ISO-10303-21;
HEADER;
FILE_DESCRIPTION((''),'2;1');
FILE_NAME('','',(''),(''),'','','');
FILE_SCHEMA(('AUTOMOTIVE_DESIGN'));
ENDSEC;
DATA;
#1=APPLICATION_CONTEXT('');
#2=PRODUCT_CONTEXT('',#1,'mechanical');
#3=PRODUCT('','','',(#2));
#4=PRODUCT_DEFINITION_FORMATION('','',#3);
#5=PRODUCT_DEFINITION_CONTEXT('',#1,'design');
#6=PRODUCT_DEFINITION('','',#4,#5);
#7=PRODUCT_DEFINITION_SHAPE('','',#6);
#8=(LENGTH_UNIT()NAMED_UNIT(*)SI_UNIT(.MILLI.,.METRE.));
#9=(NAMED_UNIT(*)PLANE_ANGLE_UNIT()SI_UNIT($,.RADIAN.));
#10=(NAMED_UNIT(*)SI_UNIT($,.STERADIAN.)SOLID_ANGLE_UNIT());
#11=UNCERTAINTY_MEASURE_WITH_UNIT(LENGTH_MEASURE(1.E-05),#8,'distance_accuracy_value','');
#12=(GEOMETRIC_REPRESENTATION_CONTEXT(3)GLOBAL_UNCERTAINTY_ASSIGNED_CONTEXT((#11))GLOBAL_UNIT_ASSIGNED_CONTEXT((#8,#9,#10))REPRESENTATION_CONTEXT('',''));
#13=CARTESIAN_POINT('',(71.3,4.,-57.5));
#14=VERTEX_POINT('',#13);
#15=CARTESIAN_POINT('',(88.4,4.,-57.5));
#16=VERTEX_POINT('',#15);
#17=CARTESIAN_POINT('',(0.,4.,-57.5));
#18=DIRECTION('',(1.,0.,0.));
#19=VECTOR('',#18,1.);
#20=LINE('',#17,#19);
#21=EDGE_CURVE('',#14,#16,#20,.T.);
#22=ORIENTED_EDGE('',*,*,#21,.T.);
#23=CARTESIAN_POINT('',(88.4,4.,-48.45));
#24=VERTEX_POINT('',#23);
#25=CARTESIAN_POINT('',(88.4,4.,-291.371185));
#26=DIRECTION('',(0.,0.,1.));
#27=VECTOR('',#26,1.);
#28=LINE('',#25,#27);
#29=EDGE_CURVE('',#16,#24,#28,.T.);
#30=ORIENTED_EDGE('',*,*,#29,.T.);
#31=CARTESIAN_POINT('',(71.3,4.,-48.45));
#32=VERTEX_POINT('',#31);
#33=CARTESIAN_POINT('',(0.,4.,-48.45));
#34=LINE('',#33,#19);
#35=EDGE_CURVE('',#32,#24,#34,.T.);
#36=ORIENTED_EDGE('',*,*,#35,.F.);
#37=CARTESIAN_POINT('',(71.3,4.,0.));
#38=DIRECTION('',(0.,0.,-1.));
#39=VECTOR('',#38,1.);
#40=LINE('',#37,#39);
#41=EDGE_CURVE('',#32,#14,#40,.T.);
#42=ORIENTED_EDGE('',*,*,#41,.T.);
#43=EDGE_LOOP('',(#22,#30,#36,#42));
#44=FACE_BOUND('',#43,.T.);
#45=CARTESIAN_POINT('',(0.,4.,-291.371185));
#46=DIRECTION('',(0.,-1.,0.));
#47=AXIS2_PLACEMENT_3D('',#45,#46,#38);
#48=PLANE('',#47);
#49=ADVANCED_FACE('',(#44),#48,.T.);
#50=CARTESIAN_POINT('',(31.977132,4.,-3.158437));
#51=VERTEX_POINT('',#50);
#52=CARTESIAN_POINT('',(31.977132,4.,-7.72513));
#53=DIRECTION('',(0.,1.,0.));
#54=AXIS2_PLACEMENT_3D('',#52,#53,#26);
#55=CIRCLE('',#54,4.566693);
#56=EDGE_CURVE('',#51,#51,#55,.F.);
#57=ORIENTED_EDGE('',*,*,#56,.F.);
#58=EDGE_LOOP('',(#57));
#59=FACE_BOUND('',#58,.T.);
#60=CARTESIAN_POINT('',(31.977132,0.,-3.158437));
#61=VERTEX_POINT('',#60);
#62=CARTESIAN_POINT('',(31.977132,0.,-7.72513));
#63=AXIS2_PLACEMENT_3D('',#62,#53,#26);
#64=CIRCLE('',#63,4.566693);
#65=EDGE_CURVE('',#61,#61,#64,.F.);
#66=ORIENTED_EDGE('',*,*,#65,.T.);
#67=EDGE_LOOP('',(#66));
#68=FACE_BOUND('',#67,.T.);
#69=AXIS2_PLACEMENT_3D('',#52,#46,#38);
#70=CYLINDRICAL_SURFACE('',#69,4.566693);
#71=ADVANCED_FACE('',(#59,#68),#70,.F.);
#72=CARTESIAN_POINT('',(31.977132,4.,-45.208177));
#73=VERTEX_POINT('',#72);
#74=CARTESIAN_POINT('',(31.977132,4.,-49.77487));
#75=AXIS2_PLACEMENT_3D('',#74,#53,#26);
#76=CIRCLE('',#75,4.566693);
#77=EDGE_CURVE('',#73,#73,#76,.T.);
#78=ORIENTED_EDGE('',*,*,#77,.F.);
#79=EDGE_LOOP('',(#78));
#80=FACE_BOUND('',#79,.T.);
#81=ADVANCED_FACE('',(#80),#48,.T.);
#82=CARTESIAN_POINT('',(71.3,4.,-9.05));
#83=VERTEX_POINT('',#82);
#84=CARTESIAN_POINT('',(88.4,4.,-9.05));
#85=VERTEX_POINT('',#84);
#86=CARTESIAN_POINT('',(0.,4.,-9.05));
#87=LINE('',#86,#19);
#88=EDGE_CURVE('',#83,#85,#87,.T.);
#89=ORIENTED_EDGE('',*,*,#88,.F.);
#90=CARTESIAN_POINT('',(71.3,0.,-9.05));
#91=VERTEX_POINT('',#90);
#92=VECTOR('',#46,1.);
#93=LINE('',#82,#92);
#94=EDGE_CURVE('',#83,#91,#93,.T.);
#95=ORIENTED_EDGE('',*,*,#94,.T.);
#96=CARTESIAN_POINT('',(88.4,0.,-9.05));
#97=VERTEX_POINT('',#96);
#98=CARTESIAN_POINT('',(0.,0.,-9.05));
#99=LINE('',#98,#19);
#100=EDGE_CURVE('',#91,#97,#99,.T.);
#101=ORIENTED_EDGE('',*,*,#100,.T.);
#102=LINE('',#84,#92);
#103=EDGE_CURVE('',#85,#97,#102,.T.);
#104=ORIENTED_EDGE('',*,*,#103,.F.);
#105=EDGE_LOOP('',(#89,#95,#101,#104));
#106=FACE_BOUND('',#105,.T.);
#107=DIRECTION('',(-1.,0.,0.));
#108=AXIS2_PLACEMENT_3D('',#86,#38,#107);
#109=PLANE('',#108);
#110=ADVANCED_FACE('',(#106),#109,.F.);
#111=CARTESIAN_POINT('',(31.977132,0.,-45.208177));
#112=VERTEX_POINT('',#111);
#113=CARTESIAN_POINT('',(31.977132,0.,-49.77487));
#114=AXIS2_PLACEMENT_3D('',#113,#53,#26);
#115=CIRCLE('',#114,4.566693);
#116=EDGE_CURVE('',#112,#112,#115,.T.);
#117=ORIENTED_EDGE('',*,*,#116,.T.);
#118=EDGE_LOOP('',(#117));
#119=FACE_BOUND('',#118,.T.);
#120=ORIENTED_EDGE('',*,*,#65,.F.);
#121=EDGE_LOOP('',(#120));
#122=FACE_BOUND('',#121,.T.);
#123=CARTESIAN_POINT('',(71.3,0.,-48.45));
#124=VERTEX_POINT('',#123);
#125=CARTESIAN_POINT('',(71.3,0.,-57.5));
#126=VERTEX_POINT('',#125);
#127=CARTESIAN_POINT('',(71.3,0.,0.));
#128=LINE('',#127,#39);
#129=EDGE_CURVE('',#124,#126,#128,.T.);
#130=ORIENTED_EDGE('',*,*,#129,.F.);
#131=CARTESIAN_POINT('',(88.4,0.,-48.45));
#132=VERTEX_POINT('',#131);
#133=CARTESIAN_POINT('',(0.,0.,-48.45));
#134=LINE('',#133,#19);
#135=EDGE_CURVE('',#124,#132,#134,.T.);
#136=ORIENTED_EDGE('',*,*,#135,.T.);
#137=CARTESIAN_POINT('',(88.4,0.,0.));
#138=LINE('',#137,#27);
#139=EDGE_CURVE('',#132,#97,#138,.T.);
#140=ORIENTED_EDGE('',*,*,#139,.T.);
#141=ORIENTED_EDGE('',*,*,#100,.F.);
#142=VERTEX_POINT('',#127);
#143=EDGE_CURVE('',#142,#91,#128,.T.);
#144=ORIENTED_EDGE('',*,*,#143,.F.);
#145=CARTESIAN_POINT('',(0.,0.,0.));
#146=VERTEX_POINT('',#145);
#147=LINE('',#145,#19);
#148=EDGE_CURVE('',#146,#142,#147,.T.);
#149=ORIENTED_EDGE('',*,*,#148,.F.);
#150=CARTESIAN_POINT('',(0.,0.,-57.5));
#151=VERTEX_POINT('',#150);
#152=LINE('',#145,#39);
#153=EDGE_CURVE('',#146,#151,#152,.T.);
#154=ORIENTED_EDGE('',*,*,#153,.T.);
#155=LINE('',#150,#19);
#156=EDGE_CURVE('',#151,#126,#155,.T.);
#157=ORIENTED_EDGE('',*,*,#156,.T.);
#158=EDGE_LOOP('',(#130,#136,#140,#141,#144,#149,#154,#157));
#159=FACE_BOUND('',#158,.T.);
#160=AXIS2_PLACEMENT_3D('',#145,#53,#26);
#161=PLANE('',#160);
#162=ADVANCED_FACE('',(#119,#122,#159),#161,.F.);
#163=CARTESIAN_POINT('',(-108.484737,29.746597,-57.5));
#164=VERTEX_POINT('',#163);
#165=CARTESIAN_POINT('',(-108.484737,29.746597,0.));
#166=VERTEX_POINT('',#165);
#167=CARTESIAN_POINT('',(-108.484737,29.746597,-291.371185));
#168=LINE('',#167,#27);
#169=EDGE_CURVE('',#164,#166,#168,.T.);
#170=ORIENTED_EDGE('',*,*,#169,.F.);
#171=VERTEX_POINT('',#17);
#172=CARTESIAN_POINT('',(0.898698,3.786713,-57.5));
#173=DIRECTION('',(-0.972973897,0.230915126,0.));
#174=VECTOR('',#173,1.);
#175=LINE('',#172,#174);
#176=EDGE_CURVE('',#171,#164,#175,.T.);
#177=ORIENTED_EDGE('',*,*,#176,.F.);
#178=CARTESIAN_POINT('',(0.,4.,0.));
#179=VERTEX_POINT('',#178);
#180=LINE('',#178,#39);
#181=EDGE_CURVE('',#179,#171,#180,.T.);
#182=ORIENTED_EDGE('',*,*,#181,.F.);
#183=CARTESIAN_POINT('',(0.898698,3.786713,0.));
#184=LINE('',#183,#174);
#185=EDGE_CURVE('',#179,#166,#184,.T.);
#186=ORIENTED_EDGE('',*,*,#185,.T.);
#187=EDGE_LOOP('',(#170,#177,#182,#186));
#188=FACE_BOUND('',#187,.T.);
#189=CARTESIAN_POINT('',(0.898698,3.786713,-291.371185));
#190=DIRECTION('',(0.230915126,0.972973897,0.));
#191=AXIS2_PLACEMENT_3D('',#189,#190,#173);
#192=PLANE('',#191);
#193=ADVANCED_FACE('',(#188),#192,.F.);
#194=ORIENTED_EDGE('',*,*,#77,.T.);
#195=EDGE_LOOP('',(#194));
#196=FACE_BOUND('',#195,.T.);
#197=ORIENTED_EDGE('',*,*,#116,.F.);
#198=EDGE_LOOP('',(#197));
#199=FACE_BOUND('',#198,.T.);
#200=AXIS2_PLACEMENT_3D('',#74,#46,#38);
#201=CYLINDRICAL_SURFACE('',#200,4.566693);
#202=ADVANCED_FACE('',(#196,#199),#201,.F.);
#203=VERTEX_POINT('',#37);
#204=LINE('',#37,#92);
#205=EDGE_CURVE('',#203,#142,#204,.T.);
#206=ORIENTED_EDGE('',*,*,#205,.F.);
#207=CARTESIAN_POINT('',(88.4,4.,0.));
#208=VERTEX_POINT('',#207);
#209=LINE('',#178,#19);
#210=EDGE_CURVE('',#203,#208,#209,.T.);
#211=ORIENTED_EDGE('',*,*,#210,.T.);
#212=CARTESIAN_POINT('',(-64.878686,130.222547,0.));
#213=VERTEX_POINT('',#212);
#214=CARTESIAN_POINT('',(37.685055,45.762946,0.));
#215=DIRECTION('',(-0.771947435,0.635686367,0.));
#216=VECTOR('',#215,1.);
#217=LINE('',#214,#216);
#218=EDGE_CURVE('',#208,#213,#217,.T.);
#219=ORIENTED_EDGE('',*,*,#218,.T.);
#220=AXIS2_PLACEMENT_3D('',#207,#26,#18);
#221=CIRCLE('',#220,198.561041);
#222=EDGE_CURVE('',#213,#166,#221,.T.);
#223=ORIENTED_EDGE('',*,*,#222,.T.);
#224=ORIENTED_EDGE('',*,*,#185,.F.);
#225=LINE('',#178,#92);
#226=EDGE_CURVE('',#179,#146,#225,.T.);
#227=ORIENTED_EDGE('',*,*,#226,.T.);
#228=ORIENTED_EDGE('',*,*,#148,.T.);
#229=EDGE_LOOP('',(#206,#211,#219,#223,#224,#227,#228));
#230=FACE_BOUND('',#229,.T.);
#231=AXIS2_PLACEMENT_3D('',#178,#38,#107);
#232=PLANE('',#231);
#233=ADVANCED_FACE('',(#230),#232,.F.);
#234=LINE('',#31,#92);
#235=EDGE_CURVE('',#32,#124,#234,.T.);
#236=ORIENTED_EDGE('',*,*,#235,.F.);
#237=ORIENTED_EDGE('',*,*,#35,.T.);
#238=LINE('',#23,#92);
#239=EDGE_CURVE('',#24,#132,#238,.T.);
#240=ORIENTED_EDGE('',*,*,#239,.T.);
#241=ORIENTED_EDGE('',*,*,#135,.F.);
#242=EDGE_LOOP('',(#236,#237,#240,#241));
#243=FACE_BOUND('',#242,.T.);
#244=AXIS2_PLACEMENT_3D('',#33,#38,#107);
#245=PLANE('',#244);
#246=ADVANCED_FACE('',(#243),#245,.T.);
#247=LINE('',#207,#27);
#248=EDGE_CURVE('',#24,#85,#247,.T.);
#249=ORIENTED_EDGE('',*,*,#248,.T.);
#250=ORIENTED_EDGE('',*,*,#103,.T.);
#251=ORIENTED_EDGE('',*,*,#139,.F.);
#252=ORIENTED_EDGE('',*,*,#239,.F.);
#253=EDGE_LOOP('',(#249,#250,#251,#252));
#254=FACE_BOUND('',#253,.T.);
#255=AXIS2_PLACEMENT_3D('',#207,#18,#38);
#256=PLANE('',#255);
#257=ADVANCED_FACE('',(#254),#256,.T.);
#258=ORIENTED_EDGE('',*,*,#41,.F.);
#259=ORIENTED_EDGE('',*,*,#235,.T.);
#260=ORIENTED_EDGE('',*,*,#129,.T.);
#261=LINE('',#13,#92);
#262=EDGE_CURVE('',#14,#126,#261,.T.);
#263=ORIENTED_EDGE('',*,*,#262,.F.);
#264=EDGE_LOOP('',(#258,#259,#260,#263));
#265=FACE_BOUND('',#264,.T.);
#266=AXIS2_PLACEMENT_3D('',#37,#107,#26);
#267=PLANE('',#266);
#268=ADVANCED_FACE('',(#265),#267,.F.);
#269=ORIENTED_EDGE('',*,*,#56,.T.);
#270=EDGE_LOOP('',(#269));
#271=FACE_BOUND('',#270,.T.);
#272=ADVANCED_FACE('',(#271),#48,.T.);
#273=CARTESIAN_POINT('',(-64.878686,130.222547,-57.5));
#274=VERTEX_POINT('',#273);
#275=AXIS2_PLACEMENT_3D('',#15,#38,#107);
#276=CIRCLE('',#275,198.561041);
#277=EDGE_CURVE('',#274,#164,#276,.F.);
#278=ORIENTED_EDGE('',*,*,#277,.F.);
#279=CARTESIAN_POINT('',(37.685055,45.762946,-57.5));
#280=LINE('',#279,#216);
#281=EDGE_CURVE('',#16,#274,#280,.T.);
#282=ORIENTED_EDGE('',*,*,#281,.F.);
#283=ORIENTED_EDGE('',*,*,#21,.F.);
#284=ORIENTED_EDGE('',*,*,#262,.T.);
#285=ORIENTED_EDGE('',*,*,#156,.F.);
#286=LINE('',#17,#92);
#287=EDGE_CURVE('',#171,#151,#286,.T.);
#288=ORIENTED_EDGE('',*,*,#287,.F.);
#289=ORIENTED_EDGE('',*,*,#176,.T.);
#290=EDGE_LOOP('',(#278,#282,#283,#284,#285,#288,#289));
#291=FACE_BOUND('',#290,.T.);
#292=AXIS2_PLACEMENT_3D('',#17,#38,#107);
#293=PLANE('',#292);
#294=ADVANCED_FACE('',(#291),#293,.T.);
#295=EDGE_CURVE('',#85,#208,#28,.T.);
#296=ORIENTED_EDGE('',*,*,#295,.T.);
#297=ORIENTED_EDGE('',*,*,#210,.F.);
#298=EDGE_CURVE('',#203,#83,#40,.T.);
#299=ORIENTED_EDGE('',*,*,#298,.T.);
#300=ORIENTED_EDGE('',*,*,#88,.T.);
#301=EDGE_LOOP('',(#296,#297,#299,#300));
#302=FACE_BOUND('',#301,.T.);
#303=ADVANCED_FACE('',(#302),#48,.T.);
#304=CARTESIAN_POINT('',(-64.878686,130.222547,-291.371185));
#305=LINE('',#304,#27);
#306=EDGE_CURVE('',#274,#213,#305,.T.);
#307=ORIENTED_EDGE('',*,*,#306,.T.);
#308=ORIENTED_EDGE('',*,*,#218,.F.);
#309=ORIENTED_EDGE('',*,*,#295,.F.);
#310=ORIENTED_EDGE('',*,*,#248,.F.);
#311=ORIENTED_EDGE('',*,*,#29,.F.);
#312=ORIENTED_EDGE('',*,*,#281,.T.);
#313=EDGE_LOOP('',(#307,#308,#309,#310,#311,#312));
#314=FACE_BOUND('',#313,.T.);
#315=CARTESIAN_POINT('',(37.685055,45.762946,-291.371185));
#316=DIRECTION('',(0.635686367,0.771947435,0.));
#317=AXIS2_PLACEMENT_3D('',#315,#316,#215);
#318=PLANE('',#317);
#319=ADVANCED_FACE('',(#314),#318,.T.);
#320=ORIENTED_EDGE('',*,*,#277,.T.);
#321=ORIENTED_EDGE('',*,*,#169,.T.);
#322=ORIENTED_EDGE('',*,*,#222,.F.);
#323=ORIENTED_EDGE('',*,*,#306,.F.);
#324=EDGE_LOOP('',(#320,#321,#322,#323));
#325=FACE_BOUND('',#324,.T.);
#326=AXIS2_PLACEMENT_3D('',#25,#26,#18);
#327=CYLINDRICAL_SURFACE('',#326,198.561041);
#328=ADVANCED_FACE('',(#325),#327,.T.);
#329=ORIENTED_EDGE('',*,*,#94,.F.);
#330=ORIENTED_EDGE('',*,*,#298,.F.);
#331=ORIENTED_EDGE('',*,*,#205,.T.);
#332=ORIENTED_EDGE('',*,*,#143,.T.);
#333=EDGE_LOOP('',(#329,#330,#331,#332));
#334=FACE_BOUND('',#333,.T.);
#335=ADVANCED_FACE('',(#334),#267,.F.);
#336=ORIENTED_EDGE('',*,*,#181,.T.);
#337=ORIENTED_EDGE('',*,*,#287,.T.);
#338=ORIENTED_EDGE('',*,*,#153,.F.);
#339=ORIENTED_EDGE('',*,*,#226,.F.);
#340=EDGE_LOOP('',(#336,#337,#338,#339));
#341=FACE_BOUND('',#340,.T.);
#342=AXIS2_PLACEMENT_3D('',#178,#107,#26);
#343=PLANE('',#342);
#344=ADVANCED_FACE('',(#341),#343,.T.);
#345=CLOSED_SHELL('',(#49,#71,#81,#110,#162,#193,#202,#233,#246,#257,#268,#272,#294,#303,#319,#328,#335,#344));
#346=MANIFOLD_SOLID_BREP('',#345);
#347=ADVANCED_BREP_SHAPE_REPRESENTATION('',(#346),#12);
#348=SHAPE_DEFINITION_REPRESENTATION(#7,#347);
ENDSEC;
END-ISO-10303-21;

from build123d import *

# Parameters (mm, degrees)
SKETCH1_R           = 4.566693037
SKETCH1_W           = 17.1
SKETCH1_H           = 39.4
BOSS_EXTRUDE1_DEPTH = 4
BOSS_EXTRUDE2_REACH = 107.531


with BuildPart() as part:
    # Sketch1 → Boss-Extrude1 (new body)
    # profile 1 of 2: a face of its own
    with BuildSketch(Plane(origin=(0, 0, 0), x_dir=(1, 0, 0), z_dir=(0, 1, 0))):
        Polygon((0, 57.5), (0, 0), (71.3, 0), (71.3, 9.05), (71.3, 48.45), (71.3, 57.5), align=None)
        with Locations(Location((31.977132175, 7.725129874, 0), (0, 0, 270))):
            Circle(SKETCH1_R, mode=Mode.SUBTRACT)
        with Locations(Location((31.977132175, 49.774870126, 0), (0, 0, 270))):
            Circle(SKETCH1_R, mode=Mode.SUBTRACT)
    # profile 2 of 2: a face of its own
    with BuildSketch(Plane(origin=(0, 0, 0), x_dir=(1, 0, 0), z_dir=(0, 1, 0))):
        with Locations((79.85, 28.75)):
            Rectangle(SKETCH1_W, SKETCH1_H)
    extrude(amount=BOSS_EXTRUDE1_DEPTH)

    # Boss-Extrude2: up to this face of the body (flat: up to its plane)
    boss_extrude2_end = Plane(part.part.faces().sort_by_distance((35.65, 2, -57.5))[0])
    # Sketch2 → Boss-Extrude2 (add, up to the picked face)
    with BuildSketch(Plane.XY, mode=Mode.PRIVATE) as boss_extrude2_sk1:
        with BuildLine():
            Line((0, 4), (88.4, 4))
            Line((88.4, 4), (-64.878686432, 130.222546803))
            ThreePointArc((-64.878686432, 130.222546803), (-93.746808792, 83.050787997), (-108.484737296, 29.746596971))
            Line((-108.484737296, 29.746596971), (0, 4))
        make_face()
    boss_extrude2_tool1 = split(extrude(boss_extrude2_sk1.sketch, amount=-BOSS_EXTRUDE2_REACH, mode=Mode.PRIVATE), bisect_by=boss_extrude2_end, keep=Keep.BOTH, mode=Mode.PRIVATE)
    add(boss_extrude2_tool1.solids().sort_by(Axis((-29.138762, 51.950808, 0), (0, 0, -1)))[0])


solid = part.part
